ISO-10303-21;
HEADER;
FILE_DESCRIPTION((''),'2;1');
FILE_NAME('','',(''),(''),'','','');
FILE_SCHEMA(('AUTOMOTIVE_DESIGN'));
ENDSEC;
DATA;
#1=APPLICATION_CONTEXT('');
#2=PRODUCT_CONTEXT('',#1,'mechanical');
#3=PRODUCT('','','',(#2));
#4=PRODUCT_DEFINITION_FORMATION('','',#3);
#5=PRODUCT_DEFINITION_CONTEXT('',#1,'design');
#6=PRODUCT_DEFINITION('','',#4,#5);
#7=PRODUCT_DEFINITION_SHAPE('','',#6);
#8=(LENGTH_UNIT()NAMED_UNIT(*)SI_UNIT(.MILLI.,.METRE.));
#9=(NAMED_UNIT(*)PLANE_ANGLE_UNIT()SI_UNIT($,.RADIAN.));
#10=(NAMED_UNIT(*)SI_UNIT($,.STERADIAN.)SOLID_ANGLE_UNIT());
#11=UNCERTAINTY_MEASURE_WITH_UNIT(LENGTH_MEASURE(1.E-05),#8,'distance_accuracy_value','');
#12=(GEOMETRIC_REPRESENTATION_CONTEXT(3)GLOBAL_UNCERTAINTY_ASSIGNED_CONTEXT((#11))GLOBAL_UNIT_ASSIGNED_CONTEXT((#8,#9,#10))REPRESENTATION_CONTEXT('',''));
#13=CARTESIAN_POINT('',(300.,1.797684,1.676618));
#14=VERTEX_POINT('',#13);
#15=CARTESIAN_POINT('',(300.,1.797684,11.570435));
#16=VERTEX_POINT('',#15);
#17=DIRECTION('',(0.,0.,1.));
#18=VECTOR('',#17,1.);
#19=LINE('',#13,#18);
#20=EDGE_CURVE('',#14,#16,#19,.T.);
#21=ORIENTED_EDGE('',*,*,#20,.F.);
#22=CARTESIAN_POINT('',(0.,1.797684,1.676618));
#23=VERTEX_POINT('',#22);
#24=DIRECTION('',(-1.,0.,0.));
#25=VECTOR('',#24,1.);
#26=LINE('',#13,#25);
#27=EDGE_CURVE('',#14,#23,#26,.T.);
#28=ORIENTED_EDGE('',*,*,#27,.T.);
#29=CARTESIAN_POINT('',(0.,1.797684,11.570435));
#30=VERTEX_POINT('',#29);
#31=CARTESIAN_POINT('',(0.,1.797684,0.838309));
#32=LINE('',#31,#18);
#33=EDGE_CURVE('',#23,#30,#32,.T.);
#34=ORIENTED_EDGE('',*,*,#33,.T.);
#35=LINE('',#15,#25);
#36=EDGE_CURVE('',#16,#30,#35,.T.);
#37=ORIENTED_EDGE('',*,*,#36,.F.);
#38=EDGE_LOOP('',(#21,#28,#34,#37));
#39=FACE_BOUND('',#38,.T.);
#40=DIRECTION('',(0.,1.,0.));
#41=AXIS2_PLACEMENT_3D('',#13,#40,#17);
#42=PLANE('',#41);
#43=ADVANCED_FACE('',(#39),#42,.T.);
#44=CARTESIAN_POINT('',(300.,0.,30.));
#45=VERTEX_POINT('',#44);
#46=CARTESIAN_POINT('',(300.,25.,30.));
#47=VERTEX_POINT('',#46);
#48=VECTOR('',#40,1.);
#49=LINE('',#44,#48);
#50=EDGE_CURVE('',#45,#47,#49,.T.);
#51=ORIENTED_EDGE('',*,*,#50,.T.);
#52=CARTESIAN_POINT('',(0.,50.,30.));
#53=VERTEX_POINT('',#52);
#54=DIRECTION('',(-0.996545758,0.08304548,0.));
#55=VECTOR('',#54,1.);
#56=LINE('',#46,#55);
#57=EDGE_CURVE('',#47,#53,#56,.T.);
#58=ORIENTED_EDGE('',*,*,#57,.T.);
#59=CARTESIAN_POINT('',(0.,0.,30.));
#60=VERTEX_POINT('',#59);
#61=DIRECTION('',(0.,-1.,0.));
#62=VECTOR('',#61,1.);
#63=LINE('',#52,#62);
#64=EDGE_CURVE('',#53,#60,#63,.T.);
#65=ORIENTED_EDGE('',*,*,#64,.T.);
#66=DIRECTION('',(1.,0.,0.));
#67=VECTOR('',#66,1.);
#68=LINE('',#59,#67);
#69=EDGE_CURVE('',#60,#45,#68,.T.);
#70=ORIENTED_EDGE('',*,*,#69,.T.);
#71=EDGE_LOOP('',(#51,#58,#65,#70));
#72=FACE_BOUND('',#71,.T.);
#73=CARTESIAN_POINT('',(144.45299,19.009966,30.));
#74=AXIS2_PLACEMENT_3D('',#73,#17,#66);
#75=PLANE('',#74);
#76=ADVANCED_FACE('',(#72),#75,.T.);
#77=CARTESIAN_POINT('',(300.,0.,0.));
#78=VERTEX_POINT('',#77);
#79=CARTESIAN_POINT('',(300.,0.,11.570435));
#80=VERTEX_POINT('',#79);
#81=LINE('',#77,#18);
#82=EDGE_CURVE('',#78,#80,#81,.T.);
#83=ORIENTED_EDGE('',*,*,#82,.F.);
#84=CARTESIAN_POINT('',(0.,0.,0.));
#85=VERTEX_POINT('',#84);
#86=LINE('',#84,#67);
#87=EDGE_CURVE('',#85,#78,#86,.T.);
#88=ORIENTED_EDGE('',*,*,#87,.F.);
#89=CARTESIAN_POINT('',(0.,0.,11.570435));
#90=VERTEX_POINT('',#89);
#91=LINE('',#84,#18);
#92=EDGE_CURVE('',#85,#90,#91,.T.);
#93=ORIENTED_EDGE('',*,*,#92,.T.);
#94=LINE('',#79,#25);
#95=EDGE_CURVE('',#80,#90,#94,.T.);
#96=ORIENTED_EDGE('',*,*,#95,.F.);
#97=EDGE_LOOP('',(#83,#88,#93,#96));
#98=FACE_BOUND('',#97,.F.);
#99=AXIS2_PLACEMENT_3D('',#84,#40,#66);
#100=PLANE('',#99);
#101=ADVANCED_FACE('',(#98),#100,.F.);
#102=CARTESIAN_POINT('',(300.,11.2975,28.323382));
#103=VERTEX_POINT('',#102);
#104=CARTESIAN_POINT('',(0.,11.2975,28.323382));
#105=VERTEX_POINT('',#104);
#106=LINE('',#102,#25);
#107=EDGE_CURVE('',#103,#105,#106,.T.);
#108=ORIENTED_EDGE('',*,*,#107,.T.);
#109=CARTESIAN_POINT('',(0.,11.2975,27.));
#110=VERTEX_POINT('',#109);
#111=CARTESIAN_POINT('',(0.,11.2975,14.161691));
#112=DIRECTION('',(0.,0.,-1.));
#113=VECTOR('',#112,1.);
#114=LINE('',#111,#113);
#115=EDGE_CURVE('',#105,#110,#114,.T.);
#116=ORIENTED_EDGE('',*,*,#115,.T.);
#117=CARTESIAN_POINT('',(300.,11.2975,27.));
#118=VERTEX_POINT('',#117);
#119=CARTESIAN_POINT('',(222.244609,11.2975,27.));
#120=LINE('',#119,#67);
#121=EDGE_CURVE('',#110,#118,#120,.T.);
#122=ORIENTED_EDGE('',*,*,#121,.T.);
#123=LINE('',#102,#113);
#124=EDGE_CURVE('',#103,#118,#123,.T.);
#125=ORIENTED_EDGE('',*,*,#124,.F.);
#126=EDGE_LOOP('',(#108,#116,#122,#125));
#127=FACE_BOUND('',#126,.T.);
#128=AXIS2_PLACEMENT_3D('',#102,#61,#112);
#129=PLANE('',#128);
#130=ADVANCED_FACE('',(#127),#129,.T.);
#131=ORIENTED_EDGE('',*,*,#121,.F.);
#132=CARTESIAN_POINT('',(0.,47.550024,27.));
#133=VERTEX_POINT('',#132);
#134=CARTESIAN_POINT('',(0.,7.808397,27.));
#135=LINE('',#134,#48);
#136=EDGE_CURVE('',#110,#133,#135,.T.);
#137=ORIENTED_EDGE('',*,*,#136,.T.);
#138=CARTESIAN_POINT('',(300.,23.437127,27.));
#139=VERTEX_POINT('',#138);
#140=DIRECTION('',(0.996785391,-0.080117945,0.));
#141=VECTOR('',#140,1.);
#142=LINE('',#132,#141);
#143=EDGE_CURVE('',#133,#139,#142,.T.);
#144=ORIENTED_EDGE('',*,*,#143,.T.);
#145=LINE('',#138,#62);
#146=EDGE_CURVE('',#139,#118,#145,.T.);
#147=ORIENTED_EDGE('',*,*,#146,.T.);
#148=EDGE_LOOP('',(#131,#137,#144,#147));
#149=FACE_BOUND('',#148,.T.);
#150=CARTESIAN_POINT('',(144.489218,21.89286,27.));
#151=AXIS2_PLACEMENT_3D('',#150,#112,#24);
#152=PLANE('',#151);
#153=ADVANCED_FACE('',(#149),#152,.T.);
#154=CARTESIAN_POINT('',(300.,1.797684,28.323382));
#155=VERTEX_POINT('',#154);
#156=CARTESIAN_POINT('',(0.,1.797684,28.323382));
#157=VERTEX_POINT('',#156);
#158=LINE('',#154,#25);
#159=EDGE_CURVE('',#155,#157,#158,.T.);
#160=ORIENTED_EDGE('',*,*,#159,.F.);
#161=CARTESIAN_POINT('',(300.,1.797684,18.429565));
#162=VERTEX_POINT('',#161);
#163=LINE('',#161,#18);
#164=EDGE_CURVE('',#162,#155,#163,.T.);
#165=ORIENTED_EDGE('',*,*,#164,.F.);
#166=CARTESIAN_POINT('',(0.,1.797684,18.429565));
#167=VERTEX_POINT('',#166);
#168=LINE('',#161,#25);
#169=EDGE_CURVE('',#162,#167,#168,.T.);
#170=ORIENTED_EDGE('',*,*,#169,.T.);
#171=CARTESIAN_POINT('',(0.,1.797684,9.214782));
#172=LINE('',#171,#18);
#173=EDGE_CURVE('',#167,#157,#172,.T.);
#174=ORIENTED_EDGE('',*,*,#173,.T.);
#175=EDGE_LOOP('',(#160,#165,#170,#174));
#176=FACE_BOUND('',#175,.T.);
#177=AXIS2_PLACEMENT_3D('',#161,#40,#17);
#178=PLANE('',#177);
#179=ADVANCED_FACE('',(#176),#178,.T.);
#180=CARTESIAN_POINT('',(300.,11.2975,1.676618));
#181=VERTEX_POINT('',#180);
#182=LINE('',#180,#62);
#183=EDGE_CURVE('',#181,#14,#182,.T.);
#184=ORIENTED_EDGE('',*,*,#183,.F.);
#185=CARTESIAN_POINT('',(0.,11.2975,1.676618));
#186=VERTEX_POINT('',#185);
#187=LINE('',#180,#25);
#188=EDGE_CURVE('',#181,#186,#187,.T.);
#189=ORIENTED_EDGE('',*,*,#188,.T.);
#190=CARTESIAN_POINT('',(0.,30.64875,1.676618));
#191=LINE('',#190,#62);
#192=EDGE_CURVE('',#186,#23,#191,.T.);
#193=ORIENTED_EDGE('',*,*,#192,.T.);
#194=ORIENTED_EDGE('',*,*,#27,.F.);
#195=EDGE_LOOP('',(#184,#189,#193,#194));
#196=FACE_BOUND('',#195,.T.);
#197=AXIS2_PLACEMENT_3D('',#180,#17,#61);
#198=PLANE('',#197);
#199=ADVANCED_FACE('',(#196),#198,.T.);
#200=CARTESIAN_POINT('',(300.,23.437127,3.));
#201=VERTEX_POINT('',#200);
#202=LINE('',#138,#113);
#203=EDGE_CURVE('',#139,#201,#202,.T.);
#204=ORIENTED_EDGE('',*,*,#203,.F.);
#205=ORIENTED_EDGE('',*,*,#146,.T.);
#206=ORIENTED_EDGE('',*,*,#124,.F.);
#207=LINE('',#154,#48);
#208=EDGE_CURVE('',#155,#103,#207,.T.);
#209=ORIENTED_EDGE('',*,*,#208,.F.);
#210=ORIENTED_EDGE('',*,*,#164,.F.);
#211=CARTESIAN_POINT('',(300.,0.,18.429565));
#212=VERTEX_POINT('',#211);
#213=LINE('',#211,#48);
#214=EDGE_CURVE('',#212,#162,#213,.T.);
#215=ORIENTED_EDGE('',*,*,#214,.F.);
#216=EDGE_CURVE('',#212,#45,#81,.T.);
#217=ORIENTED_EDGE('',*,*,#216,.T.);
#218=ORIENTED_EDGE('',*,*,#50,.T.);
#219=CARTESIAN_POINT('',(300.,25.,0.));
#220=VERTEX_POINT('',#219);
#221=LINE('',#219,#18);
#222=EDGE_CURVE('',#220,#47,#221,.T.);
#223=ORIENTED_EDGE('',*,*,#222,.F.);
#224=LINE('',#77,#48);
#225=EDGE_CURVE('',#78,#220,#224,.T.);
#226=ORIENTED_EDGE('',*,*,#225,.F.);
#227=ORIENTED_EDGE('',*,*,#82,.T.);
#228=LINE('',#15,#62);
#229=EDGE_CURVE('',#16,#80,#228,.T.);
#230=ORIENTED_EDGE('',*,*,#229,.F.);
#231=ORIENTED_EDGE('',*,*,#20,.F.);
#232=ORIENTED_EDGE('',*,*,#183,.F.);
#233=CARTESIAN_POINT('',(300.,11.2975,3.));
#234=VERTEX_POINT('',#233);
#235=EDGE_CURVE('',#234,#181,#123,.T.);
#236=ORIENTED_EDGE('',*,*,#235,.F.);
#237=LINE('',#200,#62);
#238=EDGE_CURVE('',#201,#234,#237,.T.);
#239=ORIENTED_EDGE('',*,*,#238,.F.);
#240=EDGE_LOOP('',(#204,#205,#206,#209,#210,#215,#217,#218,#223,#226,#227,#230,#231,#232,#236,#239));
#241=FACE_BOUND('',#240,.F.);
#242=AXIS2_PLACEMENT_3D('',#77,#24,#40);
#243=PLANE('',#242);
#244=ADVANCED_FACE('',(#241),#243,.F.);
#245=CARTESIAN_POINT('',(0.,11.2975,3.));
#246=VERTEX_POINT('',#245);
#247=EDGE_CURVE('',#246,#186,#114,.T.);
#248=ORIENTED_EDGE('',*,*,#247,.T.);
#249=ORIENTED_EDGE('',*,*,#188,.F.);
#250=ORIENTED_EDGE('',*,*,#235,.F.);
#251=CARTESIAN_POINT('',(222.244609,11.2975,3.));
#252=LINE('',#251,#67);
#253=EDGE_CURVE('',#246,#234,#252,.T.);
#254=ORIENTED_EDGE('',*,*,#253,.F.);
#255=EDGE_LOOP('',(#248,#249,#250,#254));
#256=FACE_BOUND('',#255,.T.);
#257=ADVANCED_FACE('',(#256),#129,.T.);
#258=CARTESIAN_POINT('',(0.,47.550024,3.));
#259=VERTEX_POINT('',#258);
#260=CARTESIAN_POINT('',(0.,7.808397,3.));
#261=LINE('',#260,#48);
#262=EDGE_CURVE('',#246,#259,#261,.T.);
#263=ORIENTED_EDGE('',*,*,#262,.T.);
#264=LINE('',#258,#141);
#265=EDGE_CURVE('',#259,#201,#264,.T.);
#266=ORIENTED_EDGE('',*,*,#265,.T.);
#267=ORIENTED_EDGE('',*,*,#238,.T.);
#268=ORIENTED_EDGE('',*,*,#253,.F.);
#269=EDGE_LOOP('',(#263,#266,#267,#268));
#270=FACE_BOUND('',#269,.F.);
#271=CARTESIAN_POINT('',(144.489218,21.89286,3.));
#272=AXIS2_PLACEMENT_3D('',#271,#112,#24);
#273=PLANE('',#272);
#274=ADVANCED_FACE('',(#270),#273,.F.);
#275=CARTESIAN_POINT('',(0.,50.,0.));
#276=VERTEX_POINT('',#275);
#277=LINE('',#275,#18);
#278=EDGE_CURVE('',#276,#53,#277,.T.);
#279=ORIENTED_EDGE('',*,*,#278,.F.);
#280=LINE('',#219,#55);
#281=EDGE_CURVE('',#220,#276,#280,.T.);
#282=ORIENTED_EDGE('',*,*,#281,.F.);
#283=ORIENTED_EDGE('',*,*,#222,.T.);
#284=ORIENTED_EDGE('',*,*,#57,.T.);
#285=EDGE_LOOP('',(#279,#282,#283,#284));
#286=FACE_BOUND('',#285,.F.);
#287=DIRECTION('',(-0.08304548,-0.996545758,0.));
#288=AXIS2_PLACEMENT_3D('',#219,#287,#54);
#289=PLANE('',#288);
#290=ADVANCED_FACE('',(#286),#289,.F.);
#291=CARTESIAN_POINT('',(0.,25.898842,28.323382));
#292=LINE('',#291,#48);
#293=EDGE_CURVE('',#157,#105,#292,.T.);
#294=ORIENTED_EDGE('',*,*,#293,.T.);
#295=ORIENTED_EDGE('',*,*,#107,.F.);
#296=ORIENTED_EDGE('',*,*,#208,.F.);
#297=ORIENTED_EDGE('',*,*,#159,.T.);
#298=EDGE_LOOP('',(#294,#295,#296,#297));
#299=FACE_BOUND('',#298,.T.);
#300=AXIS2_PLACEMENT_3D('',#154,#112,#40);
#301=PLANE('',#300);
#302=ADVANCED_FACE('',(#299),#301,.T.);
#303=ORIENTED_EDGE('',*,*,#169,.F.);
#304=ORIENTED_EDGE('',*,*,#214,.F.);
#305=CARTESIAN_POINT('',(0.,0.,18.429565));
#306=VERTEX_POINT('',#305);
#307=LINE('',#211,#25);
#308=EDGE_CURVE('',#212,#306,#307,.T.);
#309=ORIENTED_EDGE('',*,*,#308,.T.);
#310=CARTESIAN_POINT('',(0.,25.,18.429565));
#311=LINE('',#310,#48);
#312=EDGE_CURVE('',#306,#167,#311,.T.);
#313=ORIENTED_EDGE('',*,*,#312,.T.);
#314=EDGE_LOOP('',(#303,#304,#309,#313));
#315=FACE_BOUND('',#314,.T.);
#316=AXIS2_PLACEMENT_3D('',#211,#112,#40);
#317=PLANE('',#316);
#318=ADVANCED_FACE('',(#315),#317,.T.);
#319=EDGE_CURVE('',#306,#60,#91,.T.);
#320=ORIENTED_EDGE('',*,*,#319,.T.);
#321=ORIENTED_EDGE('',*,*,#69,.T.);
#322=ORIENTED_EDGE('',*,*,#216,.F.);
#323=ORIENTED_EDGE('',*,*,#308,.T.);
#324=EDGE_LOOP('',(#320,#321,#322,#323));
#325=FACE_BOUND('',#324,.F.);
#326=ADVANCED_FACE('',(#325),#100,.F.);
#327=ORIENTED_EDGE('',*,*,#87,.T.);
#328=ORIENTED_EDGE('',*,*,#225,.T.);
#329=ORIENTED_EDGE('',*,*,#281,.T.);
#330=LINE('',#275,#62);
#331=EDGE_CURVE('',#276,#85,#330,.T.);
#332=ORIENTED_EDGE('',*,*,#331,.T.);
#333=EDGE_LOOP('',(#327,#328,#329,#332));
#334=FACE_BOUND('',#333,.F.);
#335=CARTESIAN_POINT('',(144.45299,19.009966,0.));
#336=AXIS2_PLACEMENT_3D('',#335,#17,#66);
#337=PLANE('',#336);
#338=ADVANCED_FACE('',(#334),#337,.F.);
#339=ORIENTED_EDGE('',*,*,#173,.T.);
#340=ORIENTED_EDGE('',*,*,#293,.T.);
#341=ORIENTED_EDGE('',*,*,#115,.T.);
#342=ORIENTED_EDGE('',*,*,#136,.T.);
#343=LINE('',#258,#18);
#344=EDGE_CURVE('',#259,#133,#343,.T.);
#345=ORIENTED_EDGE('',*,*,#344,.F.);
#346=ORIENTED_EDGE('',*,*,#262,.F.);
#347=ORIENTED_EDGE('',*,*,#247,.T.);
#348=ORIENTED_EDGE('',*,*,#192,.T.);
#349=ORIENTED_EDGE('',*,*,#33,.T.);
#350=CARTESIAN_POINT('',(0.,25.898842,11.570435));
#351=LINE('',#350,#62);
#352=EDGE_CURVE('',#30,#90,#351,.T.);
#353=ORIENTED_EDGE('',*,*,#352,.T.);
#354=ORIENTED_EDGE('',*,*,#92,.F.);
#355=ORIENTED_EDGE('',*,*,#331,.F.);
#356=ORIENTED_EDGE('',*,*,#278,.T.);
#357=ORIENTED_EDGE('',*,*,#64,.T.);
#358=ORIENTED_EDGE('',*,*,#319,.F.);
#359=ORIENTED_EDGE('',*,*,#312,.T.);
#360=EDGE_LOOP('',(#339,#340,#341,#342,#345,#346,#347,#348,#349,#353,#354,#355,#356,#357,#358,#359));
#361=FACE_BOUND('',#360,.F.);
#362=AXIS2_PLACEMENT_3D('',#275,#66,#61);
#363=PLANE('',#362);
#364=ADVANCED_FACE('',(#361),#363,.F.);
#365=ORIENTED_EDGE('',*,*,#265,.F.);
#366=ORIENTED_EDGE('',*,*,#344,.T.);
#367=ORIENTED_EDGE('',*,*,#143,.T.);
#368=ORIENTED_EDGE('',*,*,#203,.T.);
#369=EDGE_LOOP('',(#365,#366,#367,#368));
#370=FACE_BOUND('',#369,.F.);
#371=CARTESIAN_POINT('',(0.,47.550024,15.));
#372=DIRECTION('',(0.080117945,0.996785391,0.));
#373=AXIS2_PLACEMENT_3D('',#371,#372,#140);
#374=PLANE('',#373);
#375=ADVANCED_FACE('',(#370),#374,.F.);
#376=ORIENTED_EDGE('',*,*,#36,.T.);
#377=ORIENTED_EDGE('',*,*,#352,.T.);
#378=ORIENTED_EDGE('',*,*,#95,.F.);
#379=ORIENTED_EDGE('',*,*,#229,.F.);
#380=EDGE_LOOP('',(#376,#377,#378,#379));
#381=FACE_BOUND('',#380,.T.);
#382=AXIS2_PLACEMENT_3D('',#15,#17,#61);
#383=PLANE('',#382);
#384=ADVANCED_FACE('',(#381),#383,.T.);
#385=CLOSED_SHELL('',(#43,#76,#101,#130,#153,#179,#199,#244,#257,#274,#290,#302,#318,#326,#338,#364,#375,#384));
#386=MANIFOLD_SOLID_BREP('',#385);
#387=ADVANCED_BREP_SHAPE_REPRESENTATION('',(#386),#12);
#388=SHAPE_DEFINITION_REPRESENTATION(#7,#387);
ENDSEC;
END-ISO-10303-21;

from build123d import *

# Parameters (mm, degrees)
EXTRUDE_1_DEPTH          = 30
CUT_EXTRUDE_1_DEPTH      = 301
CUT_EXTRUDE_2_DEPTH      = 12
CUT_EXTRUDE_2_DEPTH_BACK = 12


with BuildPart() as part:
    # Эскиз1 → Бобышка-Вытянуть1 (new body)
    with BuildSketch(Plane.XY):
        Polygon((0, 0), (300, 0), (300, 25), (0, 50), align=None)
    extrude(amount=EXTRUDE_1_DEPTH)

    # Эскиз2 → Вырез-Вытянуть1 (cut, through all)
    with BuildSketch(Plane(origin=(300, 0, 0), x_dir=(0, 0, -1), z_dir=(1, 0, 0))):
        Polygon((-18.429564861, 0), (-18.429564861, 1.797684404), (-28.323382455, 1.797684404), (-28.323382455, 11.297500412), (-1.676617545, 11.297500412), (-1.676617545, 1.797684404), (-11.570435139, 1.797684404), (-11.570435139, 0), align=None)
    extrude(amount=-CUT_EXTRUDE_1_DEPTH, mode=Mode.SUBTRACT)

    # Эскиз3 → Вырез-Вытянуть2 (cut, two sides)
    with BuildSketch(Plane(origin=(0, 0, 15), x_dir=(-1, 0, 0), z_dir=(0, 0, -1))) as cut_extrude_2_sk:
        Polygon((-300, 7.808397482), (0, 7.808397482), (0, 47.550024082), (-300, 23.437127044), align=None)
    extrude(amount=CUT_EXTRUDE_2_DEPTH, mode=Mode.SUBTRACT)
    extrude(cut_extrude_2_sk.sketch, amount=-CUT_EXTRUDE_2_DEPTH_BACK, mode=Mode.SUBTRACT)


solid = part.part
